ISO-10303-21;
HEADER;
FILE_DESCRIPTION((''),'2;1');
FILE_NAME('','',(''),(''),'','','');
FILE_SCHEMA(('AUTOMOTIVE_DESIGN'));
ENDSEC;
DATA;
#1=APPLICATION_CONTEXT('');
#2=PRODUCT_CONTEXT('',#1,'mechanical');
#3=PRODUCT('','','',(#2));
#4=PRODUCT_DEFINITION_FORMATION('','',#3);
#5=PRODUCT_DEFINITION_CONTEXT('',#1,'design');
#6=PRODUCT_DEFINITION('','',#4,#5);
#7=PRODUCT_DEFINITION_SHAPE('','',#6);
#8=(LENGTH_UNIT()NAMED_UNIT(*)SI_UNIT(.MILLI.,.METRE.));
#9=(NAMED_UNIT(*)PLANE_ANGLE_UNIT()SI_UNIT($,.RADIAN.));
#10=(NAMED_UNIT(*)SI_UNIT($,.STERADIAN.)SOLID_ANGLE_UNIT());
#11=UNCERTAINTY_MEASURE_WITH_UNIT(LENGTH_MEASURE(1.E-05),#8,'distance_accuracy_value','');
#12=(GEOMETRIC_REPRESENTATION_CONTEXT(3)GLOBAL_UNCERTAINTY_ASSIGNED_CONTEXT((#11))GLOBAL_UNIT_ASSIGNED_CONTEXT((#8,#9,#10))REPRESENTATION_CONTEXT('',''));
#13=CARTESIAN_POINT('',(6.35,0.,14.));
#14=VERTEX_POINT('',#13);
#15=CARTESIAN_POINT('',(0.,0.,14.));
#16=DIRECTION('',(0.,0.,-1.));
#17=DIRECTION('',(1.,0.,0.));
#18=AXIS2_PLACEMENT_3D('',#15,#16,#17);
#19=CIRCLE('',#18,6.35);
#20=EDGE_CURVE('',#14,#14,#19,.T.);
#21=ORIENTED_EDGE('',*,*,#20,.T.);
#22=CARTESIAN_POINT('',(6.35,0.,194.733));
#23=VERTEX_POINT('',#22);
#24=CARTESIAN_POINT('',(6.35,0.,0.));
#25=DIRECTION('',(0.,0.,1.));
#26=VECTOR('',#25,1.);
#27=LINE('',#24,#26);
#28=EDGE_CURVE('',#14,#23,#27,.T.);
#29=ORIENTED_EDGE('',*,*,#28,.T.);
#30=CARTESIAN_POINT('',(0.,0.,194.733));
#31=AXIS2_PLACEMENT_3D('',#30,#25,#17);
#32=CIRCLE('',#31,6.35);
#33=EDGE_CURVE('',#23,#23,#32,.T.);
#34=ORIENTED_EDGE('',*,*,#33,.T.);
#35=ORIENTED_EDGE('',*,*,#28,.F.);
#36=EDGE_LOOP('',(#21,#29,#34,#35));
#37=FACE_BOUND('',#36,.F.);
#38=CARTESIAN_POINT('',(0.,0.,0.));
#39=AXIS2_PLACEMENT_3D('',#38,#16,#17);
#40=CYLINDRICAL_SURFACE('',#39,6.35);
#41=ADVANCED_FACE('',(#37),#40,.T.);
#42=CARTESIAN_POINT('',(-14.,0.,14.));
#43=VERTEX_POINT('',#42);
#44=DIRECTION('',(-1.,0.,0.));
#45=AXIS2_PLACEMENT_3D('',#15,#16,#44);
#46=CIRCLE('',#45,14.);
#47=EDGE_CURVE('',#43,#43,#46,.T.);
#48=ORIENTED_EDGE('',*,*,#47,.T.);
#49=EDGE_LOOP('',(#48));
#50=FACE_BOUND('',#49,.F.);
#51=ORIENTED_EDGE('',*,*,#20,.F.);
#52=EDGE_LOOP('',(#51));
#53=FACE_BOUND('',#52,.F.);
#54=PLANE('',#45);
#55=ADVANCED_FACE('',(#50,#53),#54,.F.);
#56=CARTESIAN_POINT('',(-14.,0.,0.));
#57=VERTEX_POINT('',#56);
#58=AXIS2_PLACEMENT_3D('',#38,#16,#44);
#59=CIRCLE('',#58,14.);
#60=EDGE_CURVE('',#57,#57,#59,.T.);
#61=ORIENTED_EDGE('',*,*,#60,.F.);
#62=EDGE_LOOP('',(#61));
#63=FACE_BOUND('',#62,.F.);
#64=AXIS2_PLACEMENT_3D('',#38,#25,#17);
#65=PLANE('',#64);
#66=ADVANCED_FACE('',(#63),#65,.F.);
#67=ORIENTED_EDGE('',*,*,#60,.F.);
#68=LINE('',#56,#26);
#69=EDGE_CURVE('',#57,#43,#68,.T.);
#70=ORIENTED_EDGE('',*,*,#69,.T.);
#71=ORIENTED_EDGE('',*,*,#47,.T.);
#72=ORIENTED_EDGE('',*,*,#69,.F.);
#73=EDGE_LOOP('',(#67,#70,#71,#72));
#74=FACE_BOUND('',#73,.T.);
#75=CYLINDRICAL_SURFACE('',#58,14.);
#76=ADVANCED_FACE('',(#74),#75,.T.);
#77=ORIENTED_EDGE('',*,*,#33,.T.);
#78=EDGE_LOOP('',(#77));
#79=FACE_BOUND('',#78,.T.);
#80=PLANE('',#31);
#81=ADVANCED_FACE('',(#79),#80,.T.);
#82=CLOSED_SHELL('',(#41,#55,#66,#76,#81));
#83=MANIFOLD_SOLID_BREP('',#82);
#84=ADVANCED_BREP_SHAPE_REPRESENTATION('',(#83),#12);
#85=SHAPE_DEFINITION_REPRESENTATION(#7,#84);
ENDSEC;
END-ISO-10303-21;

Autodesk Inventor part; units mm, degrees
ref_plane "YZ Plane" through (0, 0, 0) normal (1, 0, 0) x (0, 1, 0)
ref_plane "XZ Plane" through (0, 0, 0) normal (0, 1, 0) x (-1, 0, 0)
ref_plane "XY Plane" through (0, 0, 0) normal (0, 0, 1) x (1, 0, 0)
sketch "Sketch1" plane through (0, 0, 0) normal (0, 0, 1) x (1, 0, 0)
  circle A0 centre (0, 0) radius 6.35
  dimension "d0" = 12.7
extrude "Extrusion1" add sketch "Sketch1" along normal blind 194.733
sketch "Sketch3" plane through (0, 0, 0) normal (0, 0, -1) x (-1, 0, 0)
  circle A0 centre (0, 0) radius 14
  dimension "d6" = 28
extrude "Extrusion3" add sketch "Sketch3" against normal blind 14
properties part number "rod_195mm"
